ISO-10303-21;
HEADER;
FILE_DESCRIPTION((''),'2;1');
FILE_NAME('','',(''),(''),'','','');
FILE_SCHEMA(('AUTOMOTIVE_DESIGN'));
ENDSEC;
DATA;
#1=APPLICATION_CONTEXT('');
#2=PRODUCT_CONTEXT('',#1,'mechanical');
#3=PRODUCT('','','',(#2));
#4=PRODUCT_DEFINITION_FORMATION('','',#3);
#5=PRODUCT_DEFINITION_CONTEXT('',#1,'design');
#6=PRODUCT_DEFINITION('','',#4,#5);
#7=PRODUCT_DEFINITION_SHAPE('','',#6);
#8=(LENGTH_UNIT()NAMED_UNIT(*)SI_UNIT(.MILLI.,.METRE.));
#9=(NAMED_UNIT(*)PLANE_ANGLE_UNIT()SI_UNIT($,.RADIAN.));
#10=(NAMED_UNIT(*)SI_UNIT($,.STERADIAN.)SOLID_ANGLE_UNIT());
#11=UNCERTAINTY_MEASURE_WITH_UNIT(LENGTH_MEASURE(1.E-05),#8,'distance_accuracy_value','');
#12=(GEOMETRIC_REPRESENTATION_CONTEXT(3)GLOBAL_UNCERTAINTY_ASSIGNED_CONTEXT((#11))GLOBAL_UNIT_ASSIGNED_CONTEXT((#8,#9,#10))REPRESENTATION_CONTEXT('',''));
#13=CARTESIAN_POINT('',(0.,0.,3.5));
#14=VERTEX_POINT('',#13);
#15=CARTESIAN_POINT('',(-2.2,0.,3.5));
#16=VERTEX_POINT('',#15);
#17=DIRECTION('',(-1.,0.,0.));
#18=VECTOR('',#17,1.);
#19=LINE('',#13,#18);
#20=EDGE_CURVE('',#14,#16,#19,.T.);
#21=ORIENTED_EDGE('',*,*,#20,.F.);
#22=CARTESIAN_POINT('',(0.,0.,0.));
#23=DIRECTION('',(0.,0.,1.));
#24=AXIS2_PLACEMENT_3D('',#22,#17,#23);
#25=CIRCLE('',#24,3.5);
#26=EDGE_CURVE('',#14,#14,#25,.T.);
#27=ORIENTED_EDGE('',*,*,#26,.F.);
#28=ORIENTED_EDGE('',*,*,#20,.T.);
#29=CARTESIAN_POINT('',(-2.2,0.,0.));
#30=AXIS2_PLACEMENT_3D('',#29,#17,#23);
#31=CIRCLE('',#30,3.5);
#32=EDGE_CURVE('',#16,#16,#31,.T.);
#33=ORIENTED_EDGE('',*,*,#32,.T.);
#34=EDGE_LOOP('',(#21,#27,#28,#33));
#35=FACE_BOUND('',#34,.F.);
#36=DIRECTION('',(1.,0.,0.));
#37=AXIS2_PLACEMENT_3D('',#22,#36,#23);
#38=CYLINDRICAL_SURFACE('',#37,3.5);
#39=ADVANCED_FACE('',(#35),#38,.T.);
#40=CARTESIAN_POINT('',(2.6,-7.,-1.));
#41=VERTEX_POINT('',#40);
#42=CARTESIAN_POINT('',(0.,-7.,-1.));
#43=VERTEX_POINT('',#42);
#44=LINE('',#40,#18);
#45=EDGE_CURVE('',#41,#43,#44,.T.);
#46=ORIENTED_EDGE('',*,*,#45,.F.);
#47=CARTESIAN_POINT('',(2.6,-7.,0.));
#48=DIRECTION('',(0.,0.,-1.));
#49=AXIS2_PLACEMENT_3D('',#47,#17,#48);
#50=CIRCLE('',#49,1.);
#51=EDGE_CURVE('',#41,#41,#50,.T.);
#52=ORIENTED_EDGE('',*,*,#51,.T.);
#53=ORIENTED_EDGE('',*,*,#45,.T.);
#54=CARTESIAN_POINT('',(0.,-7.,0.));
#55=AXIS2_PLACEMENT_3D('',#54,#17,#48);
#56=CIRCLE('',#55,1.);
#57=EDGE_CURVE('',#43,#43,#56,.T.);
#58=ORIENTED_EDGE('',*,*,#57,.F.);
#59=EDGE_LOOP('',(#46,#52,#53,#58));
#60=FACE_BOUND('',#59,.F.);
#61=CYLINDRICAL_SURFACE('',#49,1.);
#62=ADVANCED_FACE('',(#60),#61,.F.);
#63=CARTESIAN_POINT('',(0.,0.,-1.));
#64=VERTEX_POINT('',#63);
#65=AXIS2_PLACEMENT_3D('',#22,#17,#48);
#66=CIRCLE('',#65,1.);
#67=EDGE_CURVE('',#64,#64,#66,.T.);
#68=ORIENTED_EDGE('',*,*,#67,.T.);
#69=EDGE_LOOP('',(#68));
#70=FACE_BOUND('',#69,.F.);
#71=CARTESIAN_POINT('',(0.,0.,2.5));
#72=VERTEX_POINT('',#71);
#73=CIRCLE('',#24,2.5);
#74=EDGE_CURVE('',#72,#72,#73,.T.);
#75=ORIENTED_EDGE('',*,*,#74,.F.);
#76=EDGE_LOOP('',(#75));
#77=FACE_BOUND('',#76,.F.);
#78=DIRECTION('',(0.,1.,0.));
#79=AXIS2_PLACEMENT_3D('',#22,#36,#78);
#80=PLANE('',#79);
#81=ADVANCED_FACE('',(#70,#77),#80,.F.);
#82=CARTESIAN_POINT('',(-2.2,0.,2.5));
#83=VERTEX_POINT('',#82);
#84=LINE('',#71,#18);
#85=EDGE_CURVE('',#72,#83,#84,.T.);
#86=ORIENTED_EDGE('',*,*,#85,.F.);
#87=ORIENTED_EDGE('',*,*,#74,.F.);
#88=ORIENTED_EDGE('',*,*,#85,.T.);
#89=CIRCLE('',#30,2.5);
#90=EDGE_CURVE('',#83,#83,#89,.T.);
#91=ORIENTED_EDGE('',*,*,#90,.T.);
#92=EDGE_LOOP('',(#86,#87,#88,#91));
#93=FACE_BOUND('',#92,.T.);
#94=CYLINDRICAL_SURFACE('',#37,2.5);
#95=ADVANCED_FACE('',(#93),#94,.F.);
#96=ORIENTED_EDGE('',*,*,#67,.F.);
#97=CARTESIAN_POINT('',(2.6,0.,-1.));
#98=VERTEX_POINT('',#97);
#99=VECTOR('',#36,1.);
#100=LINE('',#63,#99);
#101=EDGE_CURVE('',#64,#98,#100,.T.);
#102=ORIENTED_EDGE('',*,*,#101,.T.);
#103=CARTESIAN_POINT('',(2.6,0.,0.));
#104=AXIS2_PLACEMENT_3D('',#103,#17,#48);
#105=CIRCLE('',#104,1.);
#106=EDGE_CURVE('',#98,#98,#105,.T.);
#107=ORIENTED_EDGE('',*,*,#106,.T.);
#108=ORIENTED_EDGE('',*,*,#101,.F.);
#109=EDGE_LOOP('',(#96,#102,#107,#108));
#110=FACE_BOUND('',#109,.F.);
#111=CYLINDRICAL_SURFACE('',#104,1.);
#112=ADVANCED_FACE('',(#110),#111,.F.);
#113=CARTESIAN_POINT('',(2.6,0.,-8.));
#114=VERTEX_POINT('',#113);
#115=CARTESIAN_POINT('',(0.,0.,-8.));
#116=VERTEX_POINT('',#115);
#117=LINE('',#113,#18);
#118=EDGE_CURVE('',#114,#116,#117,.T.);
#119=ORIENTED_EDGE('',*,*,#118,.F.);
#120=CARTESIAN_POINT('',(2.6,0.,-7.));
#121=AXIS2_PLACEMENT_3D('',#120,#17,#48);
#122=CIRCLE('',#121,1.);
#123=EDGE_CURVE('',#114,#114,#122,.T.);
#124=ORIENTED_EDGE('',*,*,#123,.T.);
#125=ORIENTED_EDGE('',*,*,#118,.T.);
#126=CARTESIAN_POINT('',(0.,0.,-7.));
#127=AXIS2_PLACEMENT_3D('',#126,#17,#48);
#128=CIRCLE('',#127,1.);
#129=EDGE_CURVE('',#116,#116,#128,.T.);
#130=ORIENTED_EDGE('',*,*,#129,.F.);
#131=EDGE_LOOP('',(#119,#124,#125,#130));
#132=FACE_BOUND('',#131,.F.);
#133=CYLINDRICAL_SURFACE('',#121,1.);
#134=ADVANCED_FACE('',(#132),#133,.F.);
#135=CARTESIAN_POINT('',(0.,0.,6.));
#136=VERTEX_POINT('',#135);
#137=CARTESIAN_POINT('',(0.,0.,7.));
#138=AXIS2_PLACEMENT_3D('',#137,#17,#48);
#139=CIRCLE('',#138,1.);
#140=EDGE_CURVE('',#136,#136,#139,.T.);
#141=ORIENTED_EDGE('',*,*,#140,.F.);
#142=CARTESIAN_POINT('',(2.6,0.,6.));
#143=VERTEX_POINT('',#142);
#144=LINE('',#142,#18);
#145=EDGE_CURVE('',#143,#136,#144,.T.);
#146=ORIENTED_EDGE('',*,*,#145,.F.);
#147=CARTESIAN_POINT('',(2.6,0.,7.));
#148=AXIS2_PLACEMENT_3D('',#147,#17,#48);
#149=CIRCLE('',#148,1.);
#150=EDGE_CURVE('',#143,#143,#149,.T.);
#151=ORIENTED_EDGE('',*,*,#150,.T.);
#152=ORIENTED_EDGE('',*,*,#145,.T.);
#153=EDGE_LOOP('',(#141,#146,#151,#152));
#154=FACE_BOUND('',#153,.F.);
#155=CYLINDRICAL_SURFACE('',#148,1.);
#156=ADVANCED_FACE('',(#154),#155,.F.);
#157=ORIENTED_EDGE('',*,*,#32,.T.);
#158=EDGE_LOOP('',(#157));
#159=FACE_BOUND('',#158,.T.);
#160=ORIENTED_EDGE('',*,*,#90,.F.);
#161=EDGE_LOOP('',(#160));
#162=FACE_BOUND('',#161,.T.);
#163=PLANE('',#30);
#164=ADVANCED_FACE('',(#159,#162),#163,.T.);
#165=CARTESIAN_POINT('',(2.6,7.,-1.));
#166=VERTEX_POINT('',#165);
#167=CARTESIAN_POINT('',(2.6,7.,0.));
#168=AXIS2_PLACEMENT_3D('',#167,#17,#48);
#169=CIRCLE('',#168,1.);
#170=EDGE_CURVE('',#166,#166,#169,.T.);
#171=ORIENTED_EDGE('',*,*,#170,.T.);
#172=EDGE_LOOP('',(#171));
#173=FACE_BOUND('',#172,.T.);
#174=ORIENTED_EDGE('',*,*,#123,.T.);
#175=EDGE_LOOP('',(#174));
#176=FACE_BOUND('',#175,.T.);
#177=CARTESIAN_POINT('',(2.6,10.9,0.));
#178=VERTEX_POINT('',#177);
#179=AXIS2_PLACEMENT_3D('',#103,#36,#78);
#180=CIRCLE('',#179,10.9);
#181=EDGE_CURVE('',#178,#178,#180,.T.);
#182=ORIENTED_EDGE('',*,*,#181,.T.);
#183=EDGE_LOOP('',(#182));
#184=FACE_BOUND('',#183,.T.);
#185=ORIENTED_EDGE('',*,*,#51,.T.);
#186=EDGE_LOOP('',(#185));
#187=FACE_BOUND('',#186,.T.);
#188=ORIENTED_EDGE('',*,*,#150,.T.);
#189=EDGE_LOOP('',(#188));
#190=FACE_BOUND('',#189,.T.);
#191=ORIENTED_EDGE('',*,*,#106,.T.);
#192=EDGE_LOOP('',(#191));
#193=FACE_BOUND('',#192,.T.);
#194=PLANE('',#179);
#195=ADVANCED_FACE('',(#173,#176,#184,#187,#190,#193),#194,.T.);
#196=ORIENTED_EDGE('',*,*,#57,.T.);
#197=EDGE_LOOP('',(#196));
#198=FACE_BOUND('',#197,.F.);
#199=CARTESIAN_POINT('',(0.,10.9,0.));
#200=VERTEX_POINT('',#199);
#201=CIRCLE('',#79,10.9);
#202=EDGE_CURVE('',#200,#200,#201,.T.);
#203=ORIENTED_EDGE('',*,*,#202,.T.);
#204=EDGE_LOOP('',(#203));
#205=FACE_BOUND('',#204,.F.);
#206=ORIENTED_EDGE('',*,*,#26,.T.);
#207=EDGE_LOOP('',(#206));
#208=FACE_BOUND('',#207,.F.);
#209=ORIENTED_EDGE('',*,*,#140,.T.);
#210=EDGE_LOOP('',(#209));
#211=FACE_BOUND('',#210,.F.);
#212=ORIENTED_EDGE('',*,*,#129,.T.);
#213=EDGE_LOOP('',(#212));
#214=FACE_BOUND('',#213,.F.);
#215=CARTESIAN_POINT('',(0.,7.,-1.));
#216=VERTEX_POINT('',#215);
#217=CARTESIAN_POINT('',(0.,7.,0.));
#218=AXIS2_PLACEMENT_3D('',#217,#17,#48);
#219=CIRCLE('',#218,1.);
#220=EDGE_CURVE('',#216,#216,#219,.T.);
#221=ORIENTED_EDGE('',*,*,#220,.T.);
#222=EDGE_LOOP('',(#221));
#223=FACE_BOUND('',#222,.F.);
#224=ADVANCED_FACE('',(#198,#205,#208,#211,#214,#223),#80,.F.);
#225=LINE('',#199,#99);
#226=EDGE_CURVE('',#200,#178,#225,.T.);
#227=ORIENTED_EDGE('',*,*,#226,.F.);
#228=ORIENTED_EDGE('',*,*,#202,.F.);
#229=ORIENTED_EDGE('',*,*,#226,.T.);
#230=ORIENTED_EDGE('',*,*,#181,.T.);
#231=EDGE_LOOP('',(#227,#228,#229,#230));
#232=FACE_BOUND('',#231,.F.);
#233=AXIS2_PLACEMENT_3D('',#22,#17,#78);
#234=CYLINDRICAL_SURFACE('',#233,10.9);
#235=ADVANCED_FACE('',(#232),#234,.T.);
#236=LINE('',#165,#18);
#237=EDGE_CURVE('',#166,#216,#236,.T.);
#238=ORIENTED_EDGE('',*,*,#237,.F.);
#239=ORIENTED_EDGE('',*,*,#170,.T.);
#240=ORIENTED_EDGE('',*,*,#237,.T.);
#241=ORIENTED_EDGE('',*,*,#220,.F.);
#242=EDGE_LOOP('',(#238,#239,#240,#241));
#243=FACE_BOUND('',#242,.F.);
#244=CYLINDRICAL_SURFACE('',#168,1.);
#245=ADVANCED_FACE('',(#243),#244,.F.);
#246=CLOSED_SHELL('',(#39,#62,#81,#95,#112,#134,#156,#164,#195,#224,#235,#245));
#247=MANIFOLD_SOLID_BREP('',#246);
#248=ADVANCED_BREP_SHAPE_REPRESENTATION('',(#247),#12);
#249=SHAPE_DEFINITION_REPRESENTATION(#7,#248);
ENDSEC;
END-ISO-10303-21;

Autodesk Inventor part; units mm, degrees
ref_plane "YZ Plane" through (0, 0, 0) normal (1, 0, 0) x (0, 1, 0)
ref_plane "XZ Plane" through (0, 0, 0) normal (0, 1, 0) x (-1, 0, 0)
ref_plane "XY Plane" through (0, 0, 0) normal (0, 0, 1) x (1, 0, 0)
sketch "Sketch1" plane through (0, 0, 0) normal (1, 0, 0) x (0, 1, 0)
  circle A0 centre (0, 0) radius 10.9
  dimension "d0" = 21.8
extrude "Extrusion1" add sketch "Sketch1" along normal blind 2.6
sketch "Sketch2" plane through (0, 0, 0) normal (-1, 0, 0) x (0, 0, 1)
  circle A0 centre (0, 0) radius 2.5
  circle A1 centre (0, 0) radius 3.5
  dimension "d3" = 5
  dimension "d4" = 7
extrude "Extrusion2" add sketch "Sketch2" along normal blind 2.2
sketch "Sketch3" plane through (2.6, 0, 0) normal (1, 0, 0) x (0, 0, -1)
  circle A0 centre (0, 0) radius 1
  dimension "d7" = 2
hole "Hole1" at (2.6, 0, 0) direction (-1, 0, 0) diameter 2 depth 2
thread "Thread1" size "M2x0.4" class "6H" standard "ANSI Metric M Profile" length 5
sketch "Sketch4" plane through (2.6, 0, 0) normal (1, 0, 0) x (0, 0, -1)
  circle A0 centre (0, 0) radius 1 projected
  circle A1 centre (0, 0) radius 7
  circle A2 centre (-7, 0) radius 1
  circle A3 centre (0, -7) radius 1
  circle A4 centre (7, 0) radius 1
  circle A5 centre (0, 7) radius 1
  dimension "d17" = 14
  dimension "d18" = 2
  dimension "d21" = 360
hole "Hole2" at (2.6, -7, 0) at (2.6, 0, 7) at (2.6, 7, 0) at (2.6, 0, -7) at (2.6, 0, 0) direction (-1, 0, 0) diameter 2 depth 3
thread "Thread2" size "M2x0.4" class "6H" standard "ANSI Metric M Profile" length 4
thread "Thread3" size "M2x0.4" class "6H" standard "ANSI Metric M Profile" length 4
thread "Thread4" size "M2x0.4" class "6H" standard "ANSI Metric M Profile" length 4
thread "Thread5" size "M2x0.4" class "6H" standard "ANSI Metric M Profile" length 4
properties part number "Part L"
